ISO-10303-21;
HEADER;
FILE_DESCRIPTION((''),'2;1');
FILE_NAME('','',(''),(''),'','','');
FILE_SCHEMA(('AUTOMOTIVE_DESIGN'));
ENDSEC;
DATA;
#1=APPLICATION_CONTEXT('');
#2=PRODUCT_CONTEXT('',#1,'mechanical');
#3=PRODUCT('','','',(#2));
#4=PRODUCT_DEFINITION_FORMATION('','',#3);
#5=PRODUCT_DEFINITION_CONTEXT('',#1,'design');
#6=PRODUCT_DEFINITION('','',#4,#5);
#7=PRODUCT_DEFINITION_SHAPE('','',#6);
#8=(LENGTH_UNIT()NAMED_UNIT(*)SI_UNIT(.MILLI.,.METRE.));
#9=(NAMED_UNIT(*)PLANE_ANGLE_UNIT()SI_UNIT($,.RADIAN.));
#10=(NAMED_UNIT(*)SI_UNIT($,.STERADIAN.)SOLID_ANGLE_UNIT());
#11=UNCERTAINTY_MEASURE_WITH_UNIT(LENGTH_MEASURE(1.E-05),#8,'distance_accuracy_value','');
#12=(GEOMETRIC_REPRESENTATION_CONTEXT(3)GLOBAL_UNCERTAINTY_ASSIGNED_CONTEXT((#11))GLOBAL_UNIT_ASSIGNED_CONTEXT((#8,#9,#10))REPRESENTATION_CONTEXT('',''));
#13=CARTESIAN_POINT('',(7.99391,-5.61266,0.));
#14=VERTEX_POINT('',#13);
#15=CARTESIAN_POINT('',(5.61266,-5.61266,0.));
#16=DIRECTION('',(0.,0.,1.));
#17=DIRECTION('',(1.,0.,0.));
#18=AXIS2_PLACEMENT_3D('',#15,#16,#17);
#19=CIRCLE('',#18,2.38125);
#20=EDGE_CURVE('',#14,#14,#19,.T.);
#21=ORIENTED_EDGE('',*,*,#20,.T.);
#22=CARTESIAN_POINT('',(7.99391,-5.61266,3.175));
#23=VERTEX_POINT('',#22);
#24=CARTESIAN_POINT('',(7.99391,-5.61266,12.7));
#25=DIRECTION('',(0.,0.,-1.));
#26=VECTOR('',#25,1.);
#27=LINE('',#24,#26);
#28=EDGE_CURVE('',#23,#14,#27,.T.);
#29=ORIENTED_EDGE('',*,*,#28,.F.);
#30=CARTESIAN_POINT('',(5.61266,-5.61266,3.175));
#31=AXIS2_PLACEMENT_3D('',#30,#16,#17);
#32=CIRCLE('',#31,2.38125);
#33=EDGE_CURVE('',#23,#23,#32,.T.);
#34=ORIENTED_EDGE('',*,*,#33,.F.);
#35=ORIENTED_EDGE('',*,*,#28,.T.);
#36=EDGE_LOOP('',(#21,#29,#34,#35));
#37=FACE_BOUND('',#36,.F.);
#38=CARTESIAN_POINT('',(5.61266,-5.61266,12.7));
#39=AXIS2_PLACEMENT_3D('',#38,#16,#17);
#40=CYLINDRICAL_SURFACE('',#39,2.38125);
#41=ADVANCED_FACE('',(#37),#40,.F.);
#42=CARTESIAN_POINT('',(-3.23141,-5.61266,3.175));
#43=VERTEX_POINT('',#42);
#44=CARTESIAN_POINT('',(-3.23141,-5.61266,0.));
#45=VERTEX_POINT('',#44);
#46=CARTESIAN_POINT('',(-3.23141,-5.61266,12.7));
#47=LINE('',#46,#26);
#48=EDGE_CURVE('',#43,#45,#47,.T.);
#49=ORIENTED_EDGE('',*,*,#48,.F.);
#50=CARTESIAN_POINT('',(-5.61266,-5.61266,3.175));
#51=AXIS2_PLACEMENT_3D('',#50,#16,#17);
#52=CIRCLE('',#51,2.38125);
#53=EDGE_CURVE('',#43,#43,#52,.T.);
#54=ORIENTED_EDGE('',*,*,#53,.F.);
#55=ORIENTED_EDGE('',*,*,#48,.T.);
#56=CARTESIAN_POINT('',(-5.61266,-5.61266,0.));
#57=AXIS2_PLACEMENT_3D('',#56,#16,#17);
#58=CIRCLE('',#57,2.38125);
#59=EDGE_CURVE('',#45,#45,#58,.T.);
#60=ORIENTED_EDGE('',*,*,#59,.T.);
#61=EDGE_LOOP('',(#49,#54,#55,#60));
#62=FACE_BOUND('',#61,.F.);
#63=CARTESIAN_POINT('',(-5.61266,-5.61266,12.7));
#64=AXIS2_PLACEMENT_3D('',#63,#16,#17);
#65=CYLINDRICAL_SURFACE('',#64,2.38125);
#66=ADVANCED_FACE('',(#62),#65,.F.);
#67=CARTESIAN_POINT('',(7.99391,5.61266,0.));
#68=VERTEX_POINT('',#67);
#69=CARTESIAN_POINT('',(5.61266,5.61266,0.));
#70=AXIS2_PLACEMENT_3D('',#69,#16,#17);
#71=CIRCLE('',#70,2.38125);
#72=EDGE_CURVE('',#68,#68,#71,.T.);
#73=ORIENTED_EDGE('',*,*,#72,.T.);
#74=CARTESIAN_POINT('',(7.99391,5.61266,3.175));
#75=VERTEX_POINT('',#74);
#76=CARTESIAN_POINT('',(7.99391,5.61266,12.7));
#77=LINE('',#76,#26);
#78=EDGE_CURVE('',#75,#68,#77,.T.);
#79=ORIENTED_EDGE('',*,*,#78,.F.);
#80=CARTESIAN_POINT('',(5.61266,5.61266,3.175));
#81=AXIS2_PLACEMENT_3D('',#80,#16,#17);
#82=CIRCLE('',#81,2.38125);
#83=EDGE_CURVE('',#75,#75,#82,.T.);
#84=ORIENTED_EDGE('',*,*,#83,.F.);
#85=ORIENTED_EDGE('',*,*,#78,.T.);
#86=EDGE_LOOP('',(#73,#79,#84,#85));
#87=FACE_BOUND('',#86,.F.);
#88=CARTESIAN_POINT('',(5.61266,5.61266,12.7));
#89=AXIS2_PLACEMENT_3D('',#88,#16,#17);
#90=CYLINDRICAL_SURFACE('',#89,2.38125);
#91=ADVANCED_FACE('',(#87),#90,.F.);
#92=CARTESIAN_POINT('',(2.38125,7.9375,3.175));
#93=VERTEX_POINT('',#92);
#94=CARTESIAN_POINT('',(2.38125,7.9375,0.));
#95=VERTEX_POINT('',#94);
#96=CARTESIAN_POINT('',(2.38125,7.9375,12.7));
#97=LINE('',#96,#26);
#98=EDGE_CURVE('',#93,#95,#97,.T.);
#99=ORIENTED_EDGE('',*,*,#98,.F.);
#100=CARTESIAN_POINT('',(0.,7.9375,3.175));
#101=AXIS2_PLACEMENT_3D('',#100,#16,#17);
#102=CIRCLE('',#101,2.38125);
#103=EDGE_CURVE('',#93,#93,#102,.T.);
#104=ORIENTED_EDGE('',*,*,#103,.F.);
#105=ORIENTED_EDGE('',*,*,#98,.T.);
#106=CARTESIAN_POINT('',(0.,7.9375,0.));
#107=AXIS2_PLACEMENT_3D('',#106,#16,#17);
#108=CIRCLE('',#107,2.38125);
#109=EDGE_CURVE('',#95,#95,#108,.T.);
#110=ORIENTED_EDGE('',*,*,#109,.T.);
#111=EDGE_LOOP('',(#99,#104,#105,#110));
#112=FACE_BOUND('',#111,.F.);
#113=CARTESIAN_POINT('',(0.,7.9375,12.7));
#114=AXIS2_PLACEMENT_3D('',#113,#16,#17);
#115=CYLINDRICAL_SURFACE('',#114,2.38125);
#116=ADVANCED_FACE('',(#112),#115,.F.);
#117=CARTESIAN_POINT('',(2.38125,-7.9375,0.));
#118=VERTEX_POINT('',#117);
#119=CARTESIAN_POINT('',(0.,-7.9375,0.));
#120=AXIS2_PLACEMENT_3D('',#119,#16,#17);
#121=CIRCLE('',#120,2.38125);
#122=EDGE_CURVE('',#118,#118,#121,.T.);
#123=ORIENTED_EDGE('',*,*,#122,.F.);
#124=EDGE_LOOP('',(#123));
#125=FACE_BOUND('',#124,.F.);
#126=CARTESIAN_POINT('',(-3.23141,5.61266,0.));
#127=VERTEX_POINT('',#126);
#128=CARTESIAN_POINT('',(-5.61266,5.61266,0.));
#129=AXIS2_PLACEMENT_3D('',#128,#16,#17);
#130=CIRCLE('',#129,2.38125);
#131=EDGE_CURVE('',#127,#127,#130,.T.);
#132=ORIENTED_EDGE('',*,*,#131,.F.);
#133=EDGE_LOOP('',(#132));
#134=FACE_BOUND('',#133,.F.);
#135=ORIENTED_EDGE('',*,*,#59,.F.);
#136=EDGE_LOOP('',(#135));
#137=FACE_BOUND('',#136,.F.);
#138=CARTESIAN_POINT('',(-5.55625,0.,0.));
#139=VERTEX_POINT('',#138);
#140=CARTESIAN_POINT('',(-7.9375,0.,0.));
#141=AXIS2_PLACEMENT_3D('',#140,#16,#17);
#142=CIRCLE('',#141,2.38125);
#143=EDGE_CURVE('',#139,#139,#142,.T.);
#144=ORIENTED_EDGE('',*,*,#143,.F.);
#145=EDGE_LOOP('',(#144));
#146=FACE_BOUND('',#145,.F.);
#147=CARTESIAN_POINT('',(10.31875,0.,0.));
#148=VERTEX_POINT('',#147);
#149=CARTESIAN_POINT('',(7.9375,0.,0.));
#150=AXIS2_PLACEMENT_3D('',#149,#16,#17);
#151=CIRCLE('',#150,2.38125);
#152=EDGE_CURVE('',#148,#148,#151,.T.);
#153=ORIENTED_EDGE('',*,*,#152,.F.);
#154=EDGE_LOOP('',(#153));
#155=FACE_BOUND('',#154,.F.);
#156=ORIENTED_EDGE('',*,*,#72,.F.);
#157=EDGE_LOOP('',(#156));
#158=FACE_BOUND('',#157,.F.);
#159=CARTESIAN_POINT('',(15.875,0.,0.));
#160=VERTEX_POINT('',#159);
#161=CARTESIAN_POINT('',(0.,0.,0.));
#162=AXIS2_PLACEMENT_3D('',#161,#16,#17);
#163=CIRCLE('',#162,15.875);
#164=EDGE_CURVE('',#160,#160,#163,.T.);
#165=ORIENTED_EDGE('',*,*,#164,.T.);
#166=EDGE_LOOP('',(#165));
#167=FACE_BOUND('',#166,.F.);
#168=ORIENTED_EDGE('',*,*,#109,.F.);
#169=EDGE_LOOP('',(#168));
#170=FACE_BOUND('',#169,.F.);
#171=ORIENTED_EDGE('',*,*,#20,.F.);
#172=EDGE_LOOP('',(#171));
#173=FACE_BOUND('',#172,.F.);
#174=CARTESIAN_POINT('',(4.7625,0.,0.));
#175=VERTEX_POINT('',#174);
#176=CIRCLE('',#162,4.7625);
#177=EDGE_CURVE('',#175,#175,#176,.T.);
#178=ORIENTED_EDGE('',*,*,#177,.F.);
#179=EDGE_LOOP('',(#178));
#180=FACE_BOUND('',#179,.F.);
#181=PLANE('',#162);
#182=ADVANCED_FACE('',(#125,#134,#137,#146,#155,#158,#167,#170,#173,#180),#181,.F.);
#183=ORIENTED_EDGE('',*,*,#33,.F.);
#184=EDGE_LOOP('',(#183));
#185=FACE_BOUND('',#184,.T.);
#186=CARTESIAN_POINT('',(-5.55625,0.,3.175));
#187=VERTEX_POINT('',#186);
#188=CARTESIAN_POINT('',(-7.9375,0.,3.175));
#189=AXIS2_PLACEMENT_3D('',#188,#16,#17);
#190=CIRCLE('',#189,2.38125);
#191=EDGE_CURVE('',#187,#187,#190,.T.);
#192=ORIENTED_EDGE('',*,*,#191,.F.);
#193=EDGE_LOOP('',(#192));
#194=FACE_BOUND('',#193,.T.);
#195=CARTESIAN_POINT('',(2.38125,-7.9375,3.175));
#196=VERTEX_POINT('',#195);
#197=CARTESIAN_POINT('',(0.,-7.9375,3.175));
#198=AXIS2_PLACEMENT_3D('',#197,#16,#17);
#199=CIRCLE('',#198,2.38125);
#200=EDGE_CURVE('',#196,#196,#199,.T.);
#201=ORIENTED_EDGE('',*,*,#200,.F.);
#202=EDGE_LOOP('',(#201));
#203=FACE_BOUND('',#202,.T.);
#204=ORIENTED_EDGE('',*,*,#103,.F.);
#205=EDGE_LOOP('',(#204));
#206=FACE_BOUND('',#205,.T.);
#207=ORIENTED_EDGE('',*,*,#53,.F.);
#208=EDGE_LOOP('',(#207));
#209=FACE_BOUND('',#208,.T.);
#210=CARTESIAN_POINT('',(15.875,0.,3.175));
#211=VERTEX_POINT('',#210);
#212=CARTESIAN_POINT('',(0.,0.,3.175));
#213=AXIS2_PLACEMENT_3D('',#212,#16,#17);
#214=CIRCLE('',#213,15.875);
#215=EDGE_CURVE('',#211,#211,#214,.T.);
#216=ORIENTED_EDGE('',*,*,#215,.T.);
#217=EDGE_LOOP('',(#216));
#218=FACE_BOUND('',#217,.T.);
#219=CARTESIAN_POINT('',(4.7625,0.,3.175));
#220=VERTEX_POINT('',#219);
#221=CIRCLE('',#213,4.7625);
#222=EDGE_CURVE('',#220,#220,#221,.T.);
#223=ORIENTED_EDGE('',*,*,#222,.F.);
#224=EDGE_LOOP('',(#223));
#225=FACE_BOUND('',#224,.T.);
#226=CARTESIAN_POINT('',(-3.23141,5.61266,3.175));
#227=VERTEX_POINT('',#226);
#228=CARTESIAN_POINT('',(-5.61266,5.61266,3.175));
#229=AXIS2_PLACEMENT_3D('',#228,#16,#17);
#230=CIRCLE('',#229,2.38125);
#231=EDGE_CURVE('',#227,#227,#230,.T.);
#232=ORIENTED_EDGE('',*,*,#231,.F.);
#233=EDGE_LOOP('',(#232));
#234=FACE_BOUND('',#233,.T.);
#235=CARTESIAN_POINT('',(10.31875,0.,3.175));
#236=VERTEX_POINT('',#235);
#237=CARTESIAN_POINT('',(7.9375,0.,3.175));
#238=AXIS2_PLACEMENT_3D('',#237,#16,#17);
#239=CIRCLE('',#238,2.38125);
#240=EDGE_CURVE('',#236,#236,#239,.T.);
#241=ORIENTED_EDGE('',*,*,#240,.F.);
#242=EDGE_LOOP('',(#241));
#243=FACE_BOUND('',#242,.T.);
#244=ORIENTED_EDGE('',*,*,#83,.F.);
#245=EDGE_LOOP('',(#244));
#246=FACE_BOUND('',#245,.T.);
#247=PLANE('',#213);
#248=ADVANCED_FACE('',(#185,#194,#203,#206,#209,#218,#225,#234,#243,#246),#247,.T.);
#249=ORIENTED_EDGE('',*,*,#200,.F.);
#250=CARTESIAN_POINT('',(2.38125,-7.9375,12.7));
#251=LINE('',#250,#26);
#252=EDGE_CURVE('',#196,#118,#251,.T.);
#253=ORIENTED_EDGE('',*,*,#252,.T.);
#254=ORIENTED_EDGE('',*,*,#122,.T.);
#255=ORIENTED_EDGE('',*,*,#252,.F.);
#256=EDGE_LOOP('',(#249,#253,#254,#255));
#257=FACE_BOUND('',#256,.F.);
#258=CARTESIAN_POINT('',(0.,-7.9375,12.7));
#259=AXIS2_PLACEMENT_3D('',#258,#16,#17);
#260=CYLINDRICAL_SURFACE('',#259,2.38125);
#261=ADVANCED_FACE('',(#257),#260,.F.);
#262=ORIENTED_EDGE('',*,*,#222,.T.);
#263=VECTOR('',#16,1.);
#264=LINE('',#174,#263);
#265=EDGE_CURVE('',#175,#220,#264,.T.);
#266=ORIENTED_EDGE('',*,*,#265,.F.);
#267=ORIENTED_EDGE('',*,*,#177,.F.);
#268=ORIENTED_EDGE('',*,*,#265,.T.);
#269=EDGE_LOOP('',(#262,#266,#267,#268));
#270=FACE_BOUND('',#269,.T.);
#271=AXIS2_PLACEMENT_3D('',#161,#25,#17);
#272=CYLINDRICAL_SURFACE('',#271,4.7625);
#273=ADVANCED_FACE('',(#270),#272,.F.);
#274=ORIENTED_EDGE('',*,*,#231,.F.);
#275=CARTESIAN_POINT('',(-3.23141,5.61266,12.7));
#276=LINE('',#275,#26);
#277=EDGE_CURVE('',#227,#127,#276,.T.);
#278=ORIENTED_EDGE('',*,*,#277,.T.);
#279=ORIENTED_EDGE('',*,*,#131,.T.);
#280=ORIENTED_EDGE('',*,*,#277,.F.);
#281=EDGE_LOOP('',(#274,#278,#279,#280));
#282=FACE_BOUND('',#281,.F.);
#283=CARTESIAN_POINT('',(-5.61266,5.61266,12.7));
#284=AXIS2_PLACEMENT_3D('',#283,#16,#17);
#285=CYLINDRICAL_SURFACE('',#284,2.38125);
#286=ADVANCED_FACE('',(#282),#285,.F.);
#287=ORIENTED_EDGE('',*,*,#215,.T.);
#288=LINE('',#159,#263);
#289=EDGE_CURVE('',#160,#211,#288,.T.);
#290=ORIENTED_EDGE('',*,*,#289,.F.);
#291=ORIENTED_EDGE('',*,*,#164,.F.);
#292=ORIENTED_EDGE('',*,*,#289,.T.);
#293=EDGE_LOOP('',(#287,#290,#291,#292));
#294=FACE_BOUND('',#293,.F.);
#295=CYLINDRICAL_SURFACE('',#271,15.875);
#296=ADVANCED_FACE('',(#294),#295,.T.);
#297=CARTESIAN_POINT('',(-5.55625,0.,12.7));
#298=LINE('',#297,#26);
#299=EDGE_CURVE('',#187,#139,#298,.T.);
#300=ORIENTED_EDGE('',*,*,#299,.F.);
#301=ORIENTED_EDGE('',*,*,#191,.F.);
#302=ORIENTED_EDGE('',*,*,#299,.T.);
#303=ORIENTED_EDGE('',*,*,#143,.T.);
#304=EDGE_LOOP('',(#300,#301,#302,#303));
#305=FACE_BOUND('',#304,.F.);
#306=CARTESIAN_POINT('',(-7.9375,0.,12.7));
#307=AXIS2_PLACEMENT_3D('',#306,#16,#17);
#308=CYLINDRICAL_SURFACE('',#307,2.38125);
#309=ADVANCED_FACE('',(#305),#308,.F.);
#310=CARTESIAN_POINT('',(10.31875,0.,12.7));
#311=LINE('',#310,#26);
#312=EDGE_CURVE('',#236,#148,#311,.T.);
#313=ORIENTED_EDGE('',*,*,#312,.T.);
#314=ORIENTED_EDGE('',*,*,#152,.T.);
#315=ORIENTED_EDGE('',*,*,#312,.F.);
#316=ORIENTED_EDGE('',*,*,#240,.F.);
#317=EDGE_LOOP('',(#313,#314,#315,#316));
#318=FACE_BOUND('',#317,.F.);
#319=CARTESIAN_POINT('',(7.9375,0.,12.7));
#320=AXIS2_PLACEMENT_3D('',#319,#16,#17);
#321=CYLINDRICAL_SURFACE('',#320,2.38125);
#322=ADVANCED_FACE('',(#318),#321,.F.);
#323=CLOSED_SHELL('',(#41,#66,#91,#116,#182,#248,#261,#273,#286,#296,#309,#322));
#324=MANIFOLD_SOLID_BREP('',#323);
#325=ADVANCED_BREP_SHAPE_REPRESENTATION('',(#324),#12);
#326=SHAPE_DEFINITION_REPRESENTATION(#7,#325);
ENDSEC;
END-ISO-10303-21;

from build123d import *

# Parameters (mm, degrees)
F0_R      = 15.875
F0_R_2    = 4.7625
F1_DEPTH  = 3.175
F3_DEPTH  = 6.35
F4_R      = 15.875
F4_R_2    = 4.7625
F5_DEPTH  = 3.175
F6_R      = 2.38125
F7_DEPTH  = 25.4
F8_R      = 2.38125
F8_R_2    = 1.5875
F9_DEPTH  = 25.4
F10_DEPTH = 3.175
F11_DEPTH = 6.35


with BuildPart() as f1:
    # F0 (on Top) → F1 (new body)
    with BuildSketch(Plane.XY):
        Circle(F0_R)
        Circle(F0_R_2, mode=Mode.SUBTRACT)
    extrude(amount=F1_DEPTH)


with BuildPart() as f3:
    # F2 (on face) → F3 (new body)
    with BuildSketch(Plane.XY.offset(3.175)):
        with BuildLine():
            ThreePointArc((-2.38125, 5.1952741446), (0, 5.715), (2.38125, 5.1952741446))
            Line((2.38125, 5.1952741446), (2.38125, 6.35))
            Line((2.38125, 6.35), (-2.38125, 6.35))
            Line((-2.38125, 6.35), (-2.38125, 5.1952741446))
        make_face()
        with BuildLine():
            Line((2.38125, -6.35), (2.38125, -5.1952741446))
            ThreePointArc((2.38125, -5.1952741446), (0, -5.715), (-2.38125, -5.1952741446))
            Line((-2.38125, -5.1952741446), (-2.38125, -6.35))
            Line((-2.38125, -6.35), (2.38125, -6.35))
        make_face()
        with BuildLine():
            ThreePointArc((-2.38125, 4.1244459855), (0, 4.7625), (2.38125, 4.1244459855))
            Line((2.38125, 4.1244459855), (2.38125, 5.1952741446))
            ThreePointArc((2.38125, 5.1952741446), (0, 5.715), (-2.38125, 5.1952741446))
            Line((-2.38125, 5.1952741446), (-2.38125, 4.1244459855))
        make_face()
        with BuildLine():
            ThreePointArc((2.38125, 4.1244459855), (3.3675960454, 3.3675960454), (4.1244459855, 2.38125))
            Line((4.1244459855, 2.38125), (5.1952741446, 2.38125))
            ThreePointArc((5.1952741446, 2.38125), (4.0411152545, 4.0411152545), (2.38125, 5.1952741446))
            Line((2.38125, 5.1952741446), (2.38125, 4.1244459855))
        make_face()
        with BuildLine():
            Line((2.38125, -5.1952741446), (2.38125, -4.1244459855))
            ThreePointArc((2.38125, -4.1244459855), (0, -4.7625), (-2.38125, -4.1244459855))
            Line((-2.38125, -4.1244459855), (-2.38125, -5.1952741446))
            ThreePointArc((-2.38125, -5.1952741446), (0, -5.715), (2.38125, -5.1952741446))
        make_face()
        with BuildLine():
            Line((-2.38125, -5.1952741446), (-2.38125, -4.1244459855))
            ThreePointArc((-2.38125, -4.1244459855), (-3.3675960454, -3.3675960454), (-4.1244459855, -2.38125))
            Line((-4.1244459855, -2.38125), (-5.1952741446, -2.38125))
            ThreePointArc((-5.1952741446, -2.38125), (-4.0411152545, -4.0411152545), (-2.38125, -5.1952741446))
        make_face()
        with BuildLine():
            ThreePointArc((-4.1244459855, -2.38125), (-4.7625, 0), (-4.1244459855, 2.38125))
            Line((-4.1244459855, 2.38125), (-5.1952741446, 2.38125))
            ThreePointArc((-5.1952741446, 2.38125), (-5.715, 0), (-5.1952741446, -2.38125))
            Line((-5.1952741446, -2.38125), (-4.1244459855, -2.38125))
        make_face()
        with BuildLine():
            ThreePointArc((-4.1244459855, 2.38125), (-3.3675960454, 3.3675960454), (-2.38125, 4.1244459855))
            Line((-2.38125, 4.1244459855), (-2.38125, 5.1952741446))
            ThreePointArc((-2.38125, 5.1952741446), (-4.0411152545, 4.0411152545), (-5.1952741446, 2.38125))
            Line((-5.1952741446, 2.38125), (-4.1244459855, 2.38125))
        make_face()
        with BuildLine():
            ThreePointArc((-5.1952741446, -2.38125), (-5.715, 0), (-5.1952741446, 2.38125))
            Line((-5.1952741446, 2.38125), (-6.35, 2.38125))
            Line((-6.35, 2.38125), (-6.35, -2.38125))
            Line((-6.35, -2.38125), (-5.1952741446, -2.38125))
        make_face()
    extrude(amount=F3_DEPTH)



with BuildPart() as f3b:
    # F2 (on face) → F3, piece 2 (new body)
    with BuildSketch(Plane.XY.offset(3.175)):
        with BuildLine():
            Line((6.35, 2.38125), (5.1952741446, 2.38125))
            ThreePointArc((5.1952741446, 2.38125), (5.5835569638, 1.2186536144), (5.715, 0))
            ThreePointArc((5.715, 0), (5.5835569638, -1.2186536144), (5.1952741446, -2.38125))
            Line((5.1952741446, -2.38125), (6.35, -2.38125))
            Line((6.35, -2.38125), (6.35, 2.38125))
        make_face()
    extrude(amount=F3_DEPTH)


with BuildPart() as f3_1:
    add(f3.part)

    add(f3b.part)  # F5 merges F3b
    # F4 (on face) → F5 (join)
    with BuildSketch(Plane.XY.offset(9.525)):
        Circle(F4_R)
        Circle(F4_R_2, mode=Mode.SUBTRACT)
    extrude(amount=F5_DEPTH)


with BuildPart() as f7_tool:
    # F6 (on face) → F7 (new body)
    with BuildSketch(Plane.XY.offset(12.7)):
        with Locations((-5.6126600757, 5.6126600757)):
            Circle(F6_R)
        with Locations((5.6126600757, -5.6126600757)):
            Circle(F6_R)
        with Locations((0, 7.9375)):
            Circle(F6_R)
        with Locations((5.6126600757, 5.6126600757)):
            Circle(F6_R)
        with Locations((7.9375, 0)):
            Circle(F6_R)
        with Locations((0, -7.9375)):
            Circle(F6_R)
        with Locations((-5.6126600757, -5.6126600757)):
            Circle(F6_R)
        with Locations((-7.9375, 0)):
            Circle(F6_R)
    extrude(amount=-F7_DEPTH)


with BuildPart() as f1_1:
    add(f1.part)

    # F7: cut by f7_tool
    add(f7_tool.part, mode=Mode.SUBTRACT)

    # F8 (on face) → F9 (cut)
    with BuildSketch(Plane(origin=(0, 0, 0), x_dir=(1, 0, 0), z_dir=(0, 0, -1))):
        with Locations((0, 7.9375)):
            Circle(F8_R)
        with Locations((0, 7.9375)):
            Circle(F8_R_2, mode=Mode.SUBTRACT)
        with Locations((5.6126600757, 5.6126600757)):
            Circle(F8_R)
        with Locations((5.6126600757, 5.6126600757)):
            Circle(F8_R_2, mode=Mode.SUBTRACT)
        with Locations((7.9375, 0)):
            Circle(F8_R)
        with Locations((7.9375, 0)):
            Circle(F8_R_2, mode=Mode.SUBTRACT)
        with Locations((5.6126600757, -5.6126600757)):
            Circle(F8_R)
        with Locations((5.6126600757, -5.6126600757)):
            Circle(F8_R_2, mode=Mode.SUBTRACT)
        with Locations((0, -7.9375)):
            Circle(F8_R)
        with Locations((0, -7.9375)):
            Circle(F8_R_2, mode=Mode.SUBTRACT)
        with Locations((-5.6126600757, -5.6126600757)):
            Circle(F8_R)
        with Locations((-5.6126600757, -5.6126600757)):
            Circle(F8_R_2, mode=Mode.SUBTRACT)
        with Locations((-7.9375, 0)):
            Circle(F8_R)
        with Locations((-7.9375, 0)):
            Circle(F8_R_2, mode=Mode.SUBTRACT)
        with Locations((-5.6126600757, 5.6126600757)):
            Circle(F8_R)
        with Locations((-5.6126600757, 5.6126600757)):
            Circle(F8_R_2, mode=Mode.SUBTRACT)
        with Locations((7.9375, 0)):
            Circle(F8_R_2)
        with Locations((5.6126600757, -5.6126600757)):
            Circle(F8_R_2)
        with Locations((0, -7.9375)):
            Circle(F8_R_2)
        with Locations((-5.6126600757, -5.6126600757)):
            Circle(F8_R_2)
        with Locations((-7.9375, 0)):
            Circle(F8_R_2)
        with Locations((-5.6126600757, 5.6126600757)):
            Circle(F8_R_2)
        with Locations((0, 7.9375)):
            Circle(F8_R_2)
        with Locations((5.6126600757, 5.6126600757)):
            Circle(F8_R_2)
    extrude(amount=-F9_DEPTH, mode=Mode.SUBTRACT)


with BuildPart() as f3_2:
    add(f3_1.part)

    # F7: cut by f7_tool
    add(f7_tool.part, mode=Mode.SUBTRACT)

    # F10 (cut): a face of the model
    f10_faces = [f3_2.faces().sort_by_distance(p)[0] for p in [
        (-15.4259871939, 0, 12.7),
    ]]
    extrude(f10_faces, amount=-F10_DEPTH, mode=Mode.SUBTRACT)

    # F11 (cut): faces of the model
    f11_faces = [f3_2.faces().sort_by_distance(p)[0] for p in [
        (5.820119134, -1.8463906572, 9.525),
        (-3.8074982703, -3.8074982703, 9.525),
        (5.820119134, 1.8463906572, 9.525),
    ]]
    extrude(f11_faces, amount=-F11_DEPTH, mode=Mode.SUBTRACT)


solid = f1_1.part
